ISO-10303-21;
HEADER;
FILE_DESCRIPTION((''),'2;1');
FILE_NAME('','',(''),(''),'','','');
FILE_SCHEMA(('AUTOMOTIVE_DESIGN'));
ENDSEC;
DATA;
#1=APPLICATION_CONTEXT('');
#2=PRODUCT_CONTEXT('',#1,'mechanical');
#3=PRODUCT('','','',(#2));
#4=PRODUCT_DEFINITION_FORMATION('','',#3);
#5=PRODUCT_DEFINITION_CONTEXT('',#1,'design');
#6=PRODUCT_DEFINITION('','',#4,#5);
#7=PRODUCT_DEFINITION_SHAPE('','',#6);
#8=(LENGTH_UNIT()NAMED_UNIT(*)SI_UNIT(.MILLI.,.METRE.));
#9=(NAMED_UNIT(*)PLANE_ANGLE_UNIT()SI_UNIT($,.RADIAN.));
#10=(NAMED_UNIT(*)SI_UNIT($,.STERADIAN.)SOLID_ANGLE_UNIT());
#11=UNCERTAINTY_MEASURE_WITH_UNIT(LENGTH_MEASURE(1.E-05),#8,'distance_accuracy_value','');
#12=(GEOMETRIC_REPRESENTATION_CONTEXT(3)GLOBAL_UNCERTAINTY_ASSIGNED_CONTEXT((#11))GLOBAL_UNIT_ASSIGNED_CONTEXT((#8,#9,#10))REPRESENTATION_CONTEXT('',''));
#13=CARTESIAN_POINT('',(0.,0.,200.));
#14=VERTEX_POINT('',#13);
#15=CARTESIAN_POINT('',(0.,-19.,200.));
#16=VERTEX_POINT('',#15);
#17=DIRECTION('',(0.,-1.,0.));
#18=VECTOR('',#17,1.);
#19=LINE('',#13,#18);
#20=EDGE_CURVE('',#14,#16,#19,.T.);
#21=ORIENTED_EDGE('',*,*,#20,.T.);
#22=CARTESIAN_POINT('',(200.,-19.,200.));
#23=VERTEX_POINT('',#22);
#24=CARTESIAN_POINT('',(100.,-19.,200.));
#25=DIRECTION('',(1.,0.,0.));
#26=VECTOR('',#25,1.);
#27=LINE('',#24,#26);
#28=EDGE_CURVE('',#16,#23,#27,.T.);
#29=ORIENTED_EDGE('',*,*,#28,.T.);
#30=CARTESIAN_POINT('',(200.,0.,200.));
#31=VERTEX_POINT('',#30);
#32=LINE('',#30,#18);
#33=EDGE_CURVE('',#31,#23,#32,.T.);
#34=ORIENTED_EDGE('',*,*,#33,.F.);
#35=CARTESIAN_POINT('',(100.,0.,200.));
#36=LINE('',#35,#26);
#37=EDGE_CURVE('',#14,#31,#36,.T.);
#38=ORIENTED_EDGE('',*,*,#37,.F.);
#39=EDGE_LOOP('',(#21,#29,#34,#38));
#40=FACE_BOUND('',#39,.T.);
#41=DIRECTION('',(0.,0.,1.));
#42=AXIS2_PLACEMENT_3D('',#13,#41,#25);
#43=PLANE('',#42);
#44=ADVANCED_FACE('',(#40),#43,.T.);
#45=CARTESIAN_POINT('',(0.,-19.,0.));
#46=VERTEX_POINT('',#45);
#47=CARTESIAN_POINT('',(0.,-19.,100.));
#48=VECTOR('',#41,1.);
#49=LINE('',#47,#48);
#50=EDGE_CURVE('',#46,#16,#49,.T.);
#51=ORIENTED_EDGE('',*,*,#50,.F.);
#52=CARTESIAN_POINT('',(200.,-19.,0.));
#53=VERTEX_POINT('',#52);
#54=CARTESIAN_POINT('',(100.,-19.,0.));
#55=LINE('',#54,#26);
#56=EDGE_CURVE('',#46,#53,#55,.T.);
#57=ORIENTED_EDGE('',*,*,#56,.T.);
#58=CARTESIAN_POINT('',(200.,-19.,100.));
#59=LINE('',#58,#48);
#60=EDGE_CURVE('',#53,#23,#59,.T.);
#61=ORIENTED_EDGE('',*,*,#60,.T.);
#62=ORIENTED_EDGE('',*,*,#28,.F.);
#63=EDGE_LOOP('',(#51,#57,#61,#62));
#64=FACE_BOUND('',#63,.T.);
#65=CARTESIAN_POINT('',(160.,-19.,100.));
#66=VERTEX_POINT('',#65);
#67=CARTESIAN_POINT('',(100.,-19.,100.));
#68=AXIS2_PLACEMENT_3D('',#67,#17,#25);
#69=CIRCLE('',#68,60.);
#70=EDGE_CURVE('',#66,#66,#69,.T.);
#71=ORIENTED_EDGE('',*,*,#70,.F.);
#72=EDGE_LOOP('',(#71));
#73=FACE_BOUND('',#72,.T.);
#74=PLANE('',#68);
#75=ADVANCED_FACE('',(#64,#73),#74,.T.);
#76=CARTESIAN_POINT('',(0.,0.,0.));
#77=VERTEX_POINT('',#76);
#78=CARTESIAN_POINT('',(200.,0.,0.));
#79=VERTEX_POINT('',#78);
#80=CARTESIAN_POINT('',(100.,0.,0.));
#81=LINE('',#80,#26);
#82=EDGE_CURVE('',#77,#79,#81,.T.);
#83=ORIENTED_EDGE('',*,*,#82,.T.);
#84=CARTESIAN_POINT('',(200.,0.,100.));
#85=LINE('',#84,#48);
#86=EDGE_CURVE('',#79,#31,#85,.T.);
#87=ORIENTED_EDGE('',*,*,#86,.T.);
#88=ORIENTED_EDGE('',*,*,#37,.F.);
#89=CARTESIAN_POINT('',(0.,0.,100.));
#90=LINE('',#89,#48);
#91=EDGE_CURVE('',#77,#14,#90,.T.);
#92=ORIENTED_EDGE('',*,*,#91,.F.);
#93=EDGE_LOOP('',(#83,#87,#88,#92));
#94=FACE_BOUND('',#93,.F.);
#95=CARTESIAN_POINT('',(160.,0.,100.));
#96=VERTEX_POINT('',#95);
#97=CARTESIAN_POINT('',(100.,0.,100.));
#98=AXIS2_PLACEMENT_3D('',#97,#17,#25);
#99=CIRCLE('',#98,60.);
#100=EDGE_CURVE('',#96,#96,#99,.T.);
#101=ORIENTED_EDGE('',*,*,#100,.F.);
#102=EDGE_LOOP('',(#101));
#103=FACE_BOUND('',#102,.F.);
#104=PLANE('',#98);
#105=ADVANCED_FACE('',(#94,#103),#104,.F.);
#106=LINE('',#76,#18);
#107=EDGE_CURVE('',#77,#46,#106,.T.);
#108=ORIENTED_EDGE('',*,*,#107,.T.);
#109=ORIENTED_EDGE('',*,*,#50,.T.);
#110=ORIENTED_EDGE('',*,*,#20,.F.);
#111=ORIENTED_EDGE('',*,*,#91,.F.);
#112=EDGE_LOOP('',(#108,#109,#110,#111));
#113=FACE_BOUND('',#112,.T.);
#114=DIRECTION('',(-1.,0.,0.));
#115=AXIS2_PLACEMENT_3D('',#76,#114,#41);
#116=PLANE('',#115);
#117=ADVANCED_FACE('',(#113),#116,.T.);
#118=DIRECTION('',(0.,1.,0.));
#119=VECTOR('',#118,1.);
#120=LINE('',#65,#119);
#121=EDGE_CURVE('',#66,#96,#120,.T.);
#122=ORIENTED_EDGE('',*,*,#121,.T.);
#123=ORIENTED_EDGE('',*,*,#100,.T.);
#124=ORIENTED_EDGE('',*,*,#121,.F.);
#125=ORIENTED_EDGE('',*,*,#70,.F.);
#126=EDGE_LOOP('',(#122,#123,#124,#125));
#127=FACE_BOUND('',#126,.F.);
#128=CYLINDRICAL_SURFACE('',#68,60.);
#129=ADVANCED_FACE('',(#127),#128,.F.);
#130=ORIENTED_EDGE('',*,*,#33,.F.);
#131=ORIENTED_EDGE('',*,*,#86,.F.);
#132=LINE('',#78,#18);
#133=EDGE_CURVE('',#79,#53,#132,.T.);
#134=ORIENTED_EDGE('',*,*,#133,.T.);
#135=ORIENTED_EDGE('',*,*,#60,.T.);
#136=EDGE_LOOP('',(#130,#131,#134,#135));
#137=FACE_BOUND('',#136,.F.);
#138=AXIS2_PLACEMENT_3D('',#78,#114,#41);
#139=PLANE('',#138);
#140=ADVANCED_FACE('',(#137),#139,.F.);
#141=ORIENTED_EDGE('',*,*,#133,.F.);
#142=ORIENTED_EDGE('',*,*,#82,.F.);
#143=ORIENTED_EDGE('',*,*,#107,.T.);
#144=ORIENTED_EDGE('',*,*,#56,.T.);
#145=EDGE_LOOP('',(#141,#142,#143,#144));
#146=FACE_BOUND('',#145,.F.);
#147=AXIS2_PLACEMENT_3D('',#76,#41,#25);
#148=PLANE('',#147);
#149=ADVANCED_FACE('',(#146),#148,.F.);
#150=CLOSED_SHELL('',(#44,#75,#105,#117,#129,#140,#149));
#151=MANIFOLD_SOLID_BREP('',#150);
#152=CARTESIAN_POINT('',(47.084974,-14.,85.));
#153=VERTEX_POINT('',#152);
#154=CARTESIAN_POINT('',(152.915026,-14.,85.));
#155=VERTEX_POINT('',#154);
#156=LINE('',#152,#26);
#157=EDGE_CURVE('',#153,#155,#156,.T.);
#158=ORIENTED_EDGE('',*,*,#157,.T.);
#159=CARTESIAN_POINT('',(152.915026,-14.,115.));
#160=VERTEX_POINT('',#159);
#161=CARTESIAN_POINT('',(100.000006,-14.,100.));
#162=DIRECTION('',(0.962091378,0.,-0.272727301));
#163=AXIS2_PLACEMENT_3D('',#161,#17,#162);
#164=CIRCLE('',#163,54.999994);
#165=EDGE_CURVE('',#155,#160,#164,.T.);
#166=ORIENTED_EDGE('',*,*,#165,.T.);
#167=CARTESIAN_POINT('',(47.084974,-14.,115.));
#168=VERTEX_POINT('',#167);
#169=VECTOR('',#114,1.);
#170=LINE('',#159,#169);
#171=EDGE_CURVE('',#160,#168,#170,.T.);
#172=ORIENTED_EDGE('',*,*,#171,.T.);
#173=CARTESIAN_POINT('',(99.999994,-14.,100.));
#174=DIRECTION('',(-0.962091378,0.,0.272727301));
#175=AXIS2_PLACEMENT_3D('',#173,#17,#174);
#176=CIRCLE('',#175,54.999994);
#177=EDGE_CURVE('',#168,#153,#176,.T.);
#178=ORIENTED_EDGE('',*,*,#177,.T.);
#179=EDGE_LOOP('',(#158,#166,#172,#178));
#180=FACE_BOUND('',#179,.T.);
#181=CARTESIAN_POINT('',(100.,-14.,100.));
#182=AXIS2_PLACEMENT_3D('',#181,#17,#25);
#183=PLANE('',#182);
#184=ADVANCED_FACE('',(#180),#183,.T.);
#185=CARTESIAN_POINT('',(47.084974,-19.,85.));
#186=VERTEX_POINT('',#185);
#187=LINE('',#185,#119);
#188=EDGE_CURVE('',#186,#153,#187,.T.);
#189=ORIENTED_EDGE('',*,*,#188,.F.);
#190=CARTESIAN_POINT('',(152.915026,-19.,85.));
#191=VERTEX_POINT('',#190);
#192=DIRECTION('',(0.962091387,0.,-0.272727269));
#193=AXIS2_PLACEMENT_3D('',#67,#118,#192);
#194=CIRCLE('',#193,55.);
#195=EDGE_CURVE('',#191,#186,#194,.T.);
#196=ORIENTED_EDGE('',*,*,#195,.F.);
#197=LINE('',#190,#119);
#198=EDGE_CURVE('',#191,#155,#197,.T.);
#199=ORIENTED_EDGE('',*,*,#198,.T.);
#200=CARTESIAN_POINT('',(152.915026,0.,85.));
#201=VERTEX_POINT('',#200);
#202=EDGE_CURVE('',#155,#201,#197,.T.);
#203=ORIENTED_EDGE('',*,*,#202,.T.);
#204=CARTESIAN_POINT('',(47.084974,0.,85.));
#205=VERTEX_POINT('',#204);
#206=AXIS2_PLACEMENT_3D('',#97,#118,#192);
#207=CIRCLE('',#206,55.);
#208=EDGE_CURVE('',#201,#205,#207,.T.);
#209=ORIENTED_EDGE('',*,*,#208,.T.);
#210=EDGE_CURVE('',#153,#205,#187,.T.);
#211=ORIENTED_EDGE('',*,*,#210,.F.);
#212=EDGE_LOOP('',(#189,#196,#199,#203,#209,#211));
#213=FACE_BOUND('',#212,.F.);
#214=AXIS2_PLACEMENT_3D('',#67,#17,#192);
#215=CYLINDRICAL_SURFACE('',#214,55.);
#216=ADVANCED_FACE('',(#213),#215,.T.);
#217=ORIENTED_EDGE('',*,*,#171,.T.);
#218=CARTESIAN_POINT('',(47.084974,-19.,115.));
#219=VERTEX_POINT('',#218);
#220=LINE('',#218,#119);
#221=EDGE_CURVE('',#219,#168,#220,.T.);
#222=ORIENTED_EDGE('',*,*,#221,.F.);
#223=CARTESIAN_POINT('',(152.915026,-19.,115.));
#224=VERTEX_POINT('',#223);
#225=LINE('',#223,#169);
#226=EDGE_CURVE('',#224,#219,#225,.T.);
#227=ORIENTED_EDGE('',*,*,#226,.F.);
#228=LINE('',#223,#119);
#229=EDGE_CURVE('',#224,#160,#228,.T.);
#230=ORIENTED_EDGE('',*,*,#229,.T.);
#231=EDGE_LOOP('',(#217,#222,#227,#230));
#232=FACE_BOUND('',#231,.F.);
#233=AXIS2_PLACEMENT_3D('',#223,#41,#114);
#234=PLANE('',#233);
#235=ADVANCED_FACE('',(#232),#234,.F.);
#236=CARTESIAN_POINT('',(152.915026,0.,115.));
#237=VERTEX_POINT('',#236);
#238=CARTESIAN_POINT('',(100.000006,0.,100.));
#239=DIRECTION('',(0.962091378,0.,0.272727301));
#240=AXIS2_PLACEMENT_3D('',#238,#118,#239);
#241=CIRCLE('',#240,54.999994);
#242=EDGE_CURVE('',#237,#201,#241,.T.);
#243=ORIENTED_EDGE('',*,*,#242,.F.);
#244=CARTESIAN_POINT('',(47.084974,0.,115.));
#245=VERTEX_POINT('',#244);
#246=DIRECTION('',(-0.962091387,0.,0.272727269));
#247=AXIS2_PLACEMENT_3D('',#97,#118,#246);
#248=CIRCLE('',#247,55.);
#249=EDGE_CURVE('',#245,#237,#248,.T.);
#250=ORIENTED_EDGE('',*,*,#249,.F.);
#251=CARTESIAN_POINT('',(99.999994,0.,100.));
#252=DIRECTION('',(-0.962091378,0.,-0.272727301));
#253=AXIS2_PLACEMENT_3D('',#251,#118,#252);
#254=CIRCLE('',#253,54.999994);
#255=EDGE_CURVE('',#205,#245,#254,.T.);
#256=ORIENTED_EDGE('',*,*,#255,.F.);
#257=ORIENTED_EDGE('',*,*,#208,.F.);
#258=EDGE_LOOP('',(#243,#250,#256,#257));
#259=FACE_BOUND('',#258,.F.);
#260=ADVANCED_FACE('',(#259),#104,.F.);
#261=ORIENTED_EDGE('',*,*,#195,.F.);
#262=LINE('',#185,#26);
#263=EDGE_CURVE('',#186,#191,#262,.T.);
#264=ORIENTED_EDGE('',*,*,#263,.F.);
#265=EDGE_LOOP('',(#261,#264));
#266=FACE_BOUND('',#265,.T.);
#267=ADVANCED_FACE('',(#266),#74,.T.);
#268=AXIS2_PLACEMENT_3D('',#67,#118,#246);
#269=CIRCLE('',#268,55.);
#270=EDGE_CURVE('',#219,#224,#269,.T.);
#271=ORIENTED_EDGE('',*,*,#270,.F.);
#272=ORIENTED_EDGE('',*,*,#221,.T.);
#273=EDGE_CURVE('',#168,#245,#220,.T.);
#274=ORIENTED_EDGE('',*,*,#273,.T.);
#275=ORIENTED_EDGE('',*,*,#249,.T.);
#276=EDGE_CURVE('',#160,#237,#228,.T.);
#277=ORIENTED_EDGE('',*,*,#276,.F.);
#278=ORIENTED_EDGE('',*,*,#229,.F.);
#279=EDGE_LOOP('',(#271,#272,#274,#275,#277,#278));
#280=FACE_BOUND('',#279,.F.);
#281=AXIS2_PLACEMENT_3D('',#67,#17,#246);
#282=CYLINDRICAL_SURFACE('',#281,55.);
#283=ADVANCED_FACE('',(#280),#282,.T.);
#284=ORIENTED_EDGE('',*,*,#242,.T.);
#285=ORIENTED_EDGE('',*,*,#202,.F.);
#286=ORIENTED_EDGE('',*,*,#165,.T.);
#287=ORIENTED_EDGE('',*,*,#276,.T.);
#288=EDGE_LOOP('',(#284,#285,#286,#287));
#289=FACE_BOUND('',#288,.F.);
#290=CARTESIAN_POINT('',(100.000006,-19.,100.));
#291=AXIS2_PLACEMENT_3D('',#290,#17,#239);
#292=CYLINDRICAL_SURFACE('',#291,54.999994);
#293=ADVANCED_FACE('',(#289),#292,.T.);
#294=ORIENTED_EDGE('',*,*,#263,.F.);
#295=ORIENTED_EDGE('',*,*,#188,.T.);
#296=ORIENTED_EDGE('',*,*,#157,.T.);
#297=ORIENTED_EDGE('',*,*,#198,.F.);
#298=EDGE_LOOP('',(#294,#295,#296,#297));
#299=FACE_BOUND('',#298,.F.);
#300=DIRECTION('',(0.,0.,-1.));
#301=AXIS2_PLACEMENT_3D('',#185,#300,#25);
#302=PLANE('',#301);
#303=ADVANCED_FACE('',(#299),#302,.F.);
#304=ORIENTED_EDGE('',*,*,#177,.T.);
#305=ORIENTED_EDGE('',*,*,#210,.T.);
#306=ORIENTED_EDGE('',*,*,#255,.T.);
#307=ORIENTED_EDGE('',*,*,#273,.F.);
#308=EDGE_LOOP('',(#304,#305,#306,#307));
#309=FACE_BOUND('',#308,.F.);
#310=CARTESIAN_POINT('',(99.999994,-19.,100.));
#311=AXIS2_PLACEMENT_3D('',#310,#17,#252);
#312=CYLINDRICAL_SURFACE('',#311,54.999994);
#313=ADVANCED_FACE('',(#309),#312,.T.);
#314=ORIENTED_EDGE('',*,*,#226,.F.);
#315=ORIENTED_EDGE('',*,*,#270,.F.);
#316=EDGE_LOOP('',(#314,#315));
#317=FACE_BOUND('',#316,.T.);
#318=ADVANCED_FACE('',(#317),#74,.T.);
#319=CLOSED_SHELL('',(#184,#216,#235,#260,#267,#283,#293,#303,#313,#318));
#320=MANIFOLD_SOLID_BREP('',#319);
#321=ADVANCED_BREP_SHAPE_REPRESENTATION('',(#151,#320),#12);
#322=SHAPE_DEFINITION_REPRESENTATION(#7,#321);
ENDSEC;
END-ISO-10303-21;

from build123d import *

# Parameters (mm, degrees)
F0_W     = 200
F0_H     = 200
F1_DEPTH = 19
F3_DEPTH = 5
F2_R     = 60
F4_DEPTH = 19


with BuildPart() as f1:
    # F0 (on Front) → F1 (new body)
    with BuildSketch(Plane.XZ):
        with Locations((100, 100)):
            Rectangle(F0_W, F0_H)
    extrude(amount=F1_DEPTH)

    # F2 (on face) → F3 (cut)
    with BuildSketch(Plane.XZ.offset(19)):
        with BuildLine():
            Line((152.915026, 115), (47.084974, 115))
            ThreePointArc((47.084974, 115), (45, 100), (47.084974, 85))
            Line((47.084974, 85), (152.915026, 85))
            ThreePointArc((152.915026, 85), (155, 100), (152.915026, 115))
        make_face()
    extrude(amount=-F3_DEPTH, mode=Mode.SUBTRACT)

    # F2 (on face) → F4 (cut)
    with BuildSketch(Plane.XZ.offset(19)):
        with Locations((100, 100)):
            Circle(F2_R)
        with BuildLine():
            ThreePointArc((47.084974, 85), (45, 100), (47.084974, 115))
            ThreePointArc((47.084974, 115), (100, 155), (152.915026, 115))
            ThreePointArc((152.915026, 115), (155, 100), (152.915026, 85))
            ThreePointArc((152.915026, 85), (100, 45), (47.084974, 85))
        make_face(mode=Mode.SUBTRACT)
    extrude(amount=-F4_DEPTH, mode=Mode.SUBTRACT)


solid = f1.part
